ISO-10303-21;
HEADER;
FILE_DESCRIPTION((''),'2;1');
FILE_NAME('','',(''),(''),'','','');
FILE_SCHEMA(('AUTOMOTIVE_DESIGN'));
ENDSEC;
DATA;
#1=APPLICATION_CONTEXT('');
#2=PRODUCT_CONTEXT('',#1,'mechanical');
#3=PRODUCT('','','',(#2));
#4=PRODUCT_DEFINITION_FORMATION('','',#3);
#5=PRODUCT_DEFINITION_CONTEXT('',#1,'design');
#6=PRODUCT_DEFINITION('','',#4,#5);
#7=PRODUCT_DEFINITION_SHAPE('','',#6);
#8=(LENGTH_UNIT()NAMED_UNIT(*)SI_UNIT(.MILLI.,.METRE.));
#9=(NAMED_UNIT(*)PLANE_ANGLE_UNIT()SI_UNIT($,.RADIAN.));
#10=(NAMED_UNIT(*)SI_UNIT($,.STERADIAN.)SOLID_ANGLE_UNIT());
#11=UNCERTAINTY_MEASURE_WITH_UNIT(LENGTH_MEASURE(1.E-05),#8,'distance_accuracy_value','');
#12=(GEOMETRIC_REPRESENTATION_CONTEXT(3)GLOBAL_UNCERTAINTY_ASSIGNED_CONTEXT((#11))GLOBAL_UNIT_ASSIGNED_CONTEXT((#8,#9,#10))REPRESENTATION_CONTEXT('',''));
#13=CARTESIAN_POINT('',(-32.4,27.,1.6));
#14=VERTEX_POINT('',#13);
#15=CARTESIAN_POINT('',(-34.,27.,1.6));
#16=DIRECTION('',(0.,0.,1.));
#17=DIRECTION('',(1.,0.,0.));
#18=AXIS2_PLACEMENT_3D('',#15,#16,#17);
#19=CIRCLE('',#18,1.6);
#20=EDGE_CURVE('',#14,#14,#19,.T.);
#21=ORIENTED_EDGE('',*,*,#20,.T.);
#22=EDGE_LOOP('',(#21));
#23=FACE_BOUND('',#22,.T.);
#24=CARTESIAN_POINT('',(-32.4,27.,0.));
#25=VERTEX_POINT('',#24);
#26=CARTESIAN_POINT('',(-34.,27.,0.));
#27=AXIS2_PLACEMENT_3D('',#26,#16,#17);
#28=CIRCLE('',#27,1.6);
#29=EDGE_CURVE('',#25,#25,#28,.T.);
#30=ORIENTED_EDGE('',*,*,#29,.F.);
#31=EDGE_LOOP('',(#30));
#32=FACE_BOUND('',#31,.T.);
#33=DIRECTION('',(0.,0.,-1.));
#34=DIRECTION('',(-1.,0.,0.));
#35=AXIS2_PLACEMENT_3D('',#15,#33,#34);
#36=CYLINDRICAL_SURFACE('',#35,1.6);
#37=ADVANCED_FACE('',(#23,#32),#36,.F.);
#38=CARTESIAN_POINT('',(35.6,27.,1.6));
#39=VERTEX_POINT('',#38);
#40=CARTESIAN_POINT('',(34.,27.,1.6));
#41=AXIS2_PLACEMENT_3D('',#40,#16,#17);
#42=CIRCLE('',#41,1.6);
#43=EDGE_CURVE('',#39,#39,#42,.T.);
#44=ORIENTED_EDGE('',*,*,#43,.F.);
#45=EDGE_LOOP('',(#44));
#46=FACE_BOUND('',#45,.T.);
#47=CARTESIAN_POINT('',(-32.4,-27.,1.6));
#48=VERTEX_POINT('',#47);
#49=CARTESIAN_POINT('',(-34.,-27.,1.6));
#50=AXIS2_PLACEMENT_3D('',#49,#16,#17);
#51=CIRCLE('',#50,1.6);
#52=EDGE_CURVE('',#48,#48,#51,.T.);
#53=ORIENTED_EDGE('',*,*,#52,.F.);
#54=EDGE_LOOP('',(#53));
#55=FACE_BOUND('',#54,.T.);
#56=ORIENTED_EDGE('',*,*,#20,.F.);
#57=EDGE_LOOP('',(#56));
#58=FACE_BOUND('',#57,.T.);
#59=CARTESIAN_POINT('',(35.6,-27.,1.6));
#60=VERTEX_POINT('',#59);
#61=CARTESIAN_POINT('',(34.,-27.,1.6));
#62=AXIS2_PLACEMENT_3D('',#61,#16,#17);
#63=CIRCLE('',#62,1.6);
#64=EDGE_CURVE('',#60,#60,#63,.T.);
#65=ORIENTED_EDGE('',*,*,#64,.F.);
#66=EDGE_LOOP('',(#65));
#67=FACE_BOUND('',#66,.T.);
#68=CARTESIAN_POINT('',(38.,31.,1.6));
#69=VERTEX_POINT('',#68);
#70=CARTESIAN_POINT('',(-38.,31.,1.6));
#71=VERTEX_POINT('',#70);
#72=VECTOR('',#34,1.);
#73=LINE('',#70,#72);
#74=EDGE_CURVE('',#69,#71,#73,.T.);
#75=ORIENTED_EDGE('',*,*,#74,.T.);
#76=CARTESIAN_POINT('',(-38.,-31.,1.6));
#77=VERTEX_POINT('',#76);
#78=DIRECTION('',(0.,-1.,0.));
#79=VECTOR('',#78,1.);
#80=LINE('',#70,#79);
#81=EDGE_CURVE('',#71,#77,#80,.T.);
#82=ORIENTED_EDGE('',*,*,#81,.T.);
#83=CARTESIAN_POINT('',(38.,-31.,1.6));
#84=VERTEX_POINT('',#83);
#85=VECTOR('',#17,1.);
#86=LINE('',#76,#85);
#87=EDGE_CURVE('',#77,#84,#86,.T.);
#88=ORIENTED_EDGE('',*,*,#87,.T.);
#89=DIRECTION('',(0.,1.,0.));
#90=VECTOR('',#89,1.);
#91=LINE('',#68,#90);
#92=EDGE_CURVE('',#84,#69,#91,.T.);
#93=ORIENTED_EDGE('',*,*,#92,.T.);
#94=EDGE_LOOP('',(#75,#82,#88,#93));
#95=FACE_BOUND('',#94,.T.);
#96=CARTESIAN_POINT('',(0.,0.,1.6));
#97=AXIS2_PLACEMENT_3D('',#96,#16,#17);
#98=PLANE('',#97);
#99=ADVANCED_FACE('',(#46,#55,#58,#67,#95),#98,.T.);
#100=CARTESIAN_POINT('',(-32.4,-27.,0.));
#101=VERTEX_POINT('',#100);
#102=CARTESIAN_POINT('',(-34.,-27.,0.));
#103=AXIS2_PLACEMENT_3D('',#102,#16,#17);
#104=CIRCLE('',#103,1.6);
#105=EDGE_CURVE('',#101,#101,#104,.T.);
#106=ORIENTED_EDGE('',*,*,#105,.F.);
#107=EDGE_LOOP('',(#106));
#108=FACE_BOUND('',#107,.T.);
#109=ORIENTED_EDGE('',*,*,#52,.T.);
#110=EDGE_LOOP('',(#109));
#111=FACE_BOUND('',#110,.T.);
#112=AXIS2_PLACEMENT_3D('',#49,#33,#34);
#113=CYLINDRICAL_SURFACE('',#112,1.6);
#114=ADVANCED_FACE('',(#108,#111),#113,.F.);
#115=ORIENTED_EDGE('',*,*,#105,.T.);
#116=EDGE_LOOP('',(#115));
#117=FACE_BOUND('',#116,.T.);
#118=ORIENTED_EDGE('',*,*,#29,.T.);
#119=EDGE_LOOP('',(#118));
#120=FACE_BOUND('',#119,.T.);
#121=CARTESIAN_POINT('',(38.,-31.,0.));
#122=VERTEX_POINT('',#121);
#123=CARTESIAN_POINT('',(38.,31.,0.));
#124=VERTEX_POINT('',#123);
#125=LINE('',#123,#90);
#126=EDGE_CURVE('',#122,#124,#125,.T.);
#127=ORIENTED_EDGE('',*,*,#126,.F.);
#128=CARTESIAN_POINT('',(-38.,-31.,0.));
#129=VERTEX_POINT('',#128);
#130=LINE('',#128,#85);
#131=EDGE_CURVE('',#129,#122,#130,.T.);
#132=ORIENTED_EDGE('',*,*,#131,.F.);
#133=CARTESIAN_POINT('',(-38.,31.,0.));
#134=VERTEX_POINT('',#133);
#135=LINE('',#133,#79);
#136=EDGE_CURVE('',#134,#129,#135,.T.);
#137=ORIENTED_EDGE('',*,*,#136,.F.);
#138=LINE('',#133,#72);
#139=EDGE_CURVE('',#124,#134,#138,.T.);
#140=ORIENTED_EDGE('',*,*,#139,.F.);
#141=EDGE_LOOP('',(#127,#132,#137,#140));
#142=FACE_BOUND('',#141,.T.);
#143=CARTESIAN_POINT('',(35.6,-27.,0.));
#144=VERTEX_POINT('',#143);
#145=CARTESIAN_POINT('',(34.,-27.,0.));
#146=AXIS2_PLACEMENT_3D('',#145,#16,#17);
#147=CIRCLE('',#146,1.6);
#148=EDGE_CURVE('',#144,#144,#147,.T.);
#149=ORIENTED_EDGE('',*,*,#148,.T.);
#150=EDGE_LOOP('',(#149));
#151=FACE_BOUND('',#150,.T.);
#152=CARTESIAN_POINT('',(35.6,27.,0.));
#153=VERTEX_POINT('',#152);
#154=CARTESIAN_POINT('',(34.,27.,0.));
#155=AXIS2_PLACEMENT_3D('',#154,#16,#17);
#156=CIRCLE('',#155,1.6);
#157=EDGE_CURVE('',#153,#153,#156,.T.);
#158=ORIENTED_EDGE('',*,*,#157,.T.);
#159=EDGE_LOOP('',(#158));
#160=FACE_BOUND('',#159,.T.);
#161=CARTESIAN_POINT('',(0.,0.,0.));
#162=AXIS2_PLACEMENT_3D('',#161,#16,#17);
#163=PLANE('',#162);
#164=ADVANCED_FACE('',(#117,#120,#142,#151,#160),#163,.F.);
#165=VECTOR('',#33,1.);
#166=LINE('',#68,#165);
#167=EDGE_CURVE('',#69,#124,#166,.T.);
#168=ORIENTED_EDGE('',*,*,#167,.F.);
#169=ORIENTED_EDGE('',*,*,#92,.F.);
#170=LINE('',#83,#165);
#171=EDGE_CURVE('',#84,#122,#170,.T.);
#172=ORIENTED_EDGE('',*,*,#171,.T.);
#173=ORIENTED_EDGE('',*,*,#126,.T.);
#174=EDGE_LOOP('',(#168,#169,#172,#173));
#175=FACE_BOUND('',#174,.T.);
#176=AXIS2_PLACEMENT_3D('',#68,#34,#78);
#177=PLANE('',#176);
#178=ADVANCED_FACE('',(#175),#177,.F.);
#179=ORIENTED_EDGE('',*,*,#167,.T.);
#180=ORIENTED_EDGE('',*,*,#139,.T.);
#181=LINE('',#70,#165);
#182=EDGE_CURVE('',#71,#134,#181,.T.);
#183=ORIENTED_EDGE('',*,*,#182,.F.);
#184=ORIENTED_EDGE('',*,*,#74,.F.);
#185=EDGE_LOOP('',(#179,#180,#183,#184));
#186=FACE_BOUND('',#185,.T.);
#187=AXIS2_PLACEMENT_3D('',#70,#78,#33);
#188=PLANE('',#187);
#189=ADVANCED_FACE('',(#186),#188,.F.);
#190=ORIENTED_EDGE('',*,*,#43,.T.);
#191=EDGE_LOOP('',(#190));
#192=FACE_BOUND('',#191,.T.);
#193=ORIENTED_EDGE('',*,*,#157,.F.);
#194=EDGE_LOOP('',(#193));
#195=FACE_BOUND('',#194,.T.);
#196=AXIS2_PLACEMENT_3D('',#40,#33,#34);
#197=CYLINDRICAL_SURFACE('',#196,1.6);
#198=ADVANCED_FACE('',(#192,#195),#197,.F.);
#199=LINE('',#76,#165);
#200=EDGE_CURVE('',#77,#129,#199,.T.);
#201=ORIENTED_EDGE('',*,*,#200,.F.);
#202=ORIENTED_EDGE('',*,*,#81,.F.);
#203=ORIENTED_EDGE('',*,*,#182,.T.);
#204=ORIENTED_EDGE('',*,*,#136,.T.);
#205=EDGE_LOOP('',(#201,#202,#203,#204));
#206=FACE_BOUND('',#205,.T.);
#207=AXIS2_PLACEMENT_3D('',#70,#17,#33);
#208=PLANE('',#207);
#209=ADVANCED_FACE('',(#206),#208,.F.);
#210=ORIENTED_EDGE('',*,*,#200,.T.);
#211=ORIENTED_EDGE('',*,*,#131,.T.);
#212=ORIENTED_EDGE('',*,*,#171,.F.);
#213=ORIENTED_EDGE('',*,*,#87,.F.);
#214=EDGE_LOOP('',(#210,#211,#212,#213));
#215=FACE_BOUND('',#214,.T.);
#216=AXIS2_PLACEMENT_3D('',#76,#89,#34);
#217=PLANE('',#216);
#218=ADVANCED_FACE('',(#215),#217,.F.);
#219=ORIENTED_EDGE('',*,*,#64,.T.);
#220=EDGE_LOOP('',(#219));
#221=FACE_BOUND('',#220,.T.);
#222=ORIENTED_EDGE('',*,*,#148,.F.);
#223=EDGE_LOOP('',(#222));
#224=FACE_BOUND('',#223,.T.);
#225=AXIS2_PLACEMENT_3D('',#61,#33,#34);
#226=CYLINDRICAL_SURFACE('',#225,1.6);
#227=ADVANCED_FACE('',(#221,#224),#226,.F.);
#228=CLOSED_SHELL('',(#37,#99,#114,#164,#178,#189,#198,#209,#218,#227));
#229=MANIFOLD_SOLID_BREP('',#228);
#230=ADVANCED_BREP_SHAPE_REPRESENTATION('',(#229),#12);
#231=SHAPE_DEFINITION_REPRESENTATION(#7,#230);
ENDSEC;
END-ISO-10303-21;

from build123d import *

# Parameters (mm, degrees)
SKETCH1_W  = 76
SKETCH1_H  = 62
SKETCH1_R  = 1.6
MAIN_DEPTH = 1.6


with BuildPart() as part:
    # Sketch1 → Main (new body)
    with BuildSketch(Plane.XY):
        Rectangle(SKETCH1_W, SKETCH1_H)
        with Locations((-34, 27)):
            Circle(SKETCH1_R, mode=Mode.SUBTRACT)
        with Locations((34, 27)):
            Circle(SKETCH1_R, mode=Mode.SUBTRACT)
        with Locations((34, -27)):
            Circle(SKETCH1_R, mode=Mode.SUBTRACT)
        with Locations((-34, -27)):
            Circle(SKETCH1_R, mode=Mode.SUBTRACT)
    extrude(amount=MAIN_DEPTH)


solid = part.part
